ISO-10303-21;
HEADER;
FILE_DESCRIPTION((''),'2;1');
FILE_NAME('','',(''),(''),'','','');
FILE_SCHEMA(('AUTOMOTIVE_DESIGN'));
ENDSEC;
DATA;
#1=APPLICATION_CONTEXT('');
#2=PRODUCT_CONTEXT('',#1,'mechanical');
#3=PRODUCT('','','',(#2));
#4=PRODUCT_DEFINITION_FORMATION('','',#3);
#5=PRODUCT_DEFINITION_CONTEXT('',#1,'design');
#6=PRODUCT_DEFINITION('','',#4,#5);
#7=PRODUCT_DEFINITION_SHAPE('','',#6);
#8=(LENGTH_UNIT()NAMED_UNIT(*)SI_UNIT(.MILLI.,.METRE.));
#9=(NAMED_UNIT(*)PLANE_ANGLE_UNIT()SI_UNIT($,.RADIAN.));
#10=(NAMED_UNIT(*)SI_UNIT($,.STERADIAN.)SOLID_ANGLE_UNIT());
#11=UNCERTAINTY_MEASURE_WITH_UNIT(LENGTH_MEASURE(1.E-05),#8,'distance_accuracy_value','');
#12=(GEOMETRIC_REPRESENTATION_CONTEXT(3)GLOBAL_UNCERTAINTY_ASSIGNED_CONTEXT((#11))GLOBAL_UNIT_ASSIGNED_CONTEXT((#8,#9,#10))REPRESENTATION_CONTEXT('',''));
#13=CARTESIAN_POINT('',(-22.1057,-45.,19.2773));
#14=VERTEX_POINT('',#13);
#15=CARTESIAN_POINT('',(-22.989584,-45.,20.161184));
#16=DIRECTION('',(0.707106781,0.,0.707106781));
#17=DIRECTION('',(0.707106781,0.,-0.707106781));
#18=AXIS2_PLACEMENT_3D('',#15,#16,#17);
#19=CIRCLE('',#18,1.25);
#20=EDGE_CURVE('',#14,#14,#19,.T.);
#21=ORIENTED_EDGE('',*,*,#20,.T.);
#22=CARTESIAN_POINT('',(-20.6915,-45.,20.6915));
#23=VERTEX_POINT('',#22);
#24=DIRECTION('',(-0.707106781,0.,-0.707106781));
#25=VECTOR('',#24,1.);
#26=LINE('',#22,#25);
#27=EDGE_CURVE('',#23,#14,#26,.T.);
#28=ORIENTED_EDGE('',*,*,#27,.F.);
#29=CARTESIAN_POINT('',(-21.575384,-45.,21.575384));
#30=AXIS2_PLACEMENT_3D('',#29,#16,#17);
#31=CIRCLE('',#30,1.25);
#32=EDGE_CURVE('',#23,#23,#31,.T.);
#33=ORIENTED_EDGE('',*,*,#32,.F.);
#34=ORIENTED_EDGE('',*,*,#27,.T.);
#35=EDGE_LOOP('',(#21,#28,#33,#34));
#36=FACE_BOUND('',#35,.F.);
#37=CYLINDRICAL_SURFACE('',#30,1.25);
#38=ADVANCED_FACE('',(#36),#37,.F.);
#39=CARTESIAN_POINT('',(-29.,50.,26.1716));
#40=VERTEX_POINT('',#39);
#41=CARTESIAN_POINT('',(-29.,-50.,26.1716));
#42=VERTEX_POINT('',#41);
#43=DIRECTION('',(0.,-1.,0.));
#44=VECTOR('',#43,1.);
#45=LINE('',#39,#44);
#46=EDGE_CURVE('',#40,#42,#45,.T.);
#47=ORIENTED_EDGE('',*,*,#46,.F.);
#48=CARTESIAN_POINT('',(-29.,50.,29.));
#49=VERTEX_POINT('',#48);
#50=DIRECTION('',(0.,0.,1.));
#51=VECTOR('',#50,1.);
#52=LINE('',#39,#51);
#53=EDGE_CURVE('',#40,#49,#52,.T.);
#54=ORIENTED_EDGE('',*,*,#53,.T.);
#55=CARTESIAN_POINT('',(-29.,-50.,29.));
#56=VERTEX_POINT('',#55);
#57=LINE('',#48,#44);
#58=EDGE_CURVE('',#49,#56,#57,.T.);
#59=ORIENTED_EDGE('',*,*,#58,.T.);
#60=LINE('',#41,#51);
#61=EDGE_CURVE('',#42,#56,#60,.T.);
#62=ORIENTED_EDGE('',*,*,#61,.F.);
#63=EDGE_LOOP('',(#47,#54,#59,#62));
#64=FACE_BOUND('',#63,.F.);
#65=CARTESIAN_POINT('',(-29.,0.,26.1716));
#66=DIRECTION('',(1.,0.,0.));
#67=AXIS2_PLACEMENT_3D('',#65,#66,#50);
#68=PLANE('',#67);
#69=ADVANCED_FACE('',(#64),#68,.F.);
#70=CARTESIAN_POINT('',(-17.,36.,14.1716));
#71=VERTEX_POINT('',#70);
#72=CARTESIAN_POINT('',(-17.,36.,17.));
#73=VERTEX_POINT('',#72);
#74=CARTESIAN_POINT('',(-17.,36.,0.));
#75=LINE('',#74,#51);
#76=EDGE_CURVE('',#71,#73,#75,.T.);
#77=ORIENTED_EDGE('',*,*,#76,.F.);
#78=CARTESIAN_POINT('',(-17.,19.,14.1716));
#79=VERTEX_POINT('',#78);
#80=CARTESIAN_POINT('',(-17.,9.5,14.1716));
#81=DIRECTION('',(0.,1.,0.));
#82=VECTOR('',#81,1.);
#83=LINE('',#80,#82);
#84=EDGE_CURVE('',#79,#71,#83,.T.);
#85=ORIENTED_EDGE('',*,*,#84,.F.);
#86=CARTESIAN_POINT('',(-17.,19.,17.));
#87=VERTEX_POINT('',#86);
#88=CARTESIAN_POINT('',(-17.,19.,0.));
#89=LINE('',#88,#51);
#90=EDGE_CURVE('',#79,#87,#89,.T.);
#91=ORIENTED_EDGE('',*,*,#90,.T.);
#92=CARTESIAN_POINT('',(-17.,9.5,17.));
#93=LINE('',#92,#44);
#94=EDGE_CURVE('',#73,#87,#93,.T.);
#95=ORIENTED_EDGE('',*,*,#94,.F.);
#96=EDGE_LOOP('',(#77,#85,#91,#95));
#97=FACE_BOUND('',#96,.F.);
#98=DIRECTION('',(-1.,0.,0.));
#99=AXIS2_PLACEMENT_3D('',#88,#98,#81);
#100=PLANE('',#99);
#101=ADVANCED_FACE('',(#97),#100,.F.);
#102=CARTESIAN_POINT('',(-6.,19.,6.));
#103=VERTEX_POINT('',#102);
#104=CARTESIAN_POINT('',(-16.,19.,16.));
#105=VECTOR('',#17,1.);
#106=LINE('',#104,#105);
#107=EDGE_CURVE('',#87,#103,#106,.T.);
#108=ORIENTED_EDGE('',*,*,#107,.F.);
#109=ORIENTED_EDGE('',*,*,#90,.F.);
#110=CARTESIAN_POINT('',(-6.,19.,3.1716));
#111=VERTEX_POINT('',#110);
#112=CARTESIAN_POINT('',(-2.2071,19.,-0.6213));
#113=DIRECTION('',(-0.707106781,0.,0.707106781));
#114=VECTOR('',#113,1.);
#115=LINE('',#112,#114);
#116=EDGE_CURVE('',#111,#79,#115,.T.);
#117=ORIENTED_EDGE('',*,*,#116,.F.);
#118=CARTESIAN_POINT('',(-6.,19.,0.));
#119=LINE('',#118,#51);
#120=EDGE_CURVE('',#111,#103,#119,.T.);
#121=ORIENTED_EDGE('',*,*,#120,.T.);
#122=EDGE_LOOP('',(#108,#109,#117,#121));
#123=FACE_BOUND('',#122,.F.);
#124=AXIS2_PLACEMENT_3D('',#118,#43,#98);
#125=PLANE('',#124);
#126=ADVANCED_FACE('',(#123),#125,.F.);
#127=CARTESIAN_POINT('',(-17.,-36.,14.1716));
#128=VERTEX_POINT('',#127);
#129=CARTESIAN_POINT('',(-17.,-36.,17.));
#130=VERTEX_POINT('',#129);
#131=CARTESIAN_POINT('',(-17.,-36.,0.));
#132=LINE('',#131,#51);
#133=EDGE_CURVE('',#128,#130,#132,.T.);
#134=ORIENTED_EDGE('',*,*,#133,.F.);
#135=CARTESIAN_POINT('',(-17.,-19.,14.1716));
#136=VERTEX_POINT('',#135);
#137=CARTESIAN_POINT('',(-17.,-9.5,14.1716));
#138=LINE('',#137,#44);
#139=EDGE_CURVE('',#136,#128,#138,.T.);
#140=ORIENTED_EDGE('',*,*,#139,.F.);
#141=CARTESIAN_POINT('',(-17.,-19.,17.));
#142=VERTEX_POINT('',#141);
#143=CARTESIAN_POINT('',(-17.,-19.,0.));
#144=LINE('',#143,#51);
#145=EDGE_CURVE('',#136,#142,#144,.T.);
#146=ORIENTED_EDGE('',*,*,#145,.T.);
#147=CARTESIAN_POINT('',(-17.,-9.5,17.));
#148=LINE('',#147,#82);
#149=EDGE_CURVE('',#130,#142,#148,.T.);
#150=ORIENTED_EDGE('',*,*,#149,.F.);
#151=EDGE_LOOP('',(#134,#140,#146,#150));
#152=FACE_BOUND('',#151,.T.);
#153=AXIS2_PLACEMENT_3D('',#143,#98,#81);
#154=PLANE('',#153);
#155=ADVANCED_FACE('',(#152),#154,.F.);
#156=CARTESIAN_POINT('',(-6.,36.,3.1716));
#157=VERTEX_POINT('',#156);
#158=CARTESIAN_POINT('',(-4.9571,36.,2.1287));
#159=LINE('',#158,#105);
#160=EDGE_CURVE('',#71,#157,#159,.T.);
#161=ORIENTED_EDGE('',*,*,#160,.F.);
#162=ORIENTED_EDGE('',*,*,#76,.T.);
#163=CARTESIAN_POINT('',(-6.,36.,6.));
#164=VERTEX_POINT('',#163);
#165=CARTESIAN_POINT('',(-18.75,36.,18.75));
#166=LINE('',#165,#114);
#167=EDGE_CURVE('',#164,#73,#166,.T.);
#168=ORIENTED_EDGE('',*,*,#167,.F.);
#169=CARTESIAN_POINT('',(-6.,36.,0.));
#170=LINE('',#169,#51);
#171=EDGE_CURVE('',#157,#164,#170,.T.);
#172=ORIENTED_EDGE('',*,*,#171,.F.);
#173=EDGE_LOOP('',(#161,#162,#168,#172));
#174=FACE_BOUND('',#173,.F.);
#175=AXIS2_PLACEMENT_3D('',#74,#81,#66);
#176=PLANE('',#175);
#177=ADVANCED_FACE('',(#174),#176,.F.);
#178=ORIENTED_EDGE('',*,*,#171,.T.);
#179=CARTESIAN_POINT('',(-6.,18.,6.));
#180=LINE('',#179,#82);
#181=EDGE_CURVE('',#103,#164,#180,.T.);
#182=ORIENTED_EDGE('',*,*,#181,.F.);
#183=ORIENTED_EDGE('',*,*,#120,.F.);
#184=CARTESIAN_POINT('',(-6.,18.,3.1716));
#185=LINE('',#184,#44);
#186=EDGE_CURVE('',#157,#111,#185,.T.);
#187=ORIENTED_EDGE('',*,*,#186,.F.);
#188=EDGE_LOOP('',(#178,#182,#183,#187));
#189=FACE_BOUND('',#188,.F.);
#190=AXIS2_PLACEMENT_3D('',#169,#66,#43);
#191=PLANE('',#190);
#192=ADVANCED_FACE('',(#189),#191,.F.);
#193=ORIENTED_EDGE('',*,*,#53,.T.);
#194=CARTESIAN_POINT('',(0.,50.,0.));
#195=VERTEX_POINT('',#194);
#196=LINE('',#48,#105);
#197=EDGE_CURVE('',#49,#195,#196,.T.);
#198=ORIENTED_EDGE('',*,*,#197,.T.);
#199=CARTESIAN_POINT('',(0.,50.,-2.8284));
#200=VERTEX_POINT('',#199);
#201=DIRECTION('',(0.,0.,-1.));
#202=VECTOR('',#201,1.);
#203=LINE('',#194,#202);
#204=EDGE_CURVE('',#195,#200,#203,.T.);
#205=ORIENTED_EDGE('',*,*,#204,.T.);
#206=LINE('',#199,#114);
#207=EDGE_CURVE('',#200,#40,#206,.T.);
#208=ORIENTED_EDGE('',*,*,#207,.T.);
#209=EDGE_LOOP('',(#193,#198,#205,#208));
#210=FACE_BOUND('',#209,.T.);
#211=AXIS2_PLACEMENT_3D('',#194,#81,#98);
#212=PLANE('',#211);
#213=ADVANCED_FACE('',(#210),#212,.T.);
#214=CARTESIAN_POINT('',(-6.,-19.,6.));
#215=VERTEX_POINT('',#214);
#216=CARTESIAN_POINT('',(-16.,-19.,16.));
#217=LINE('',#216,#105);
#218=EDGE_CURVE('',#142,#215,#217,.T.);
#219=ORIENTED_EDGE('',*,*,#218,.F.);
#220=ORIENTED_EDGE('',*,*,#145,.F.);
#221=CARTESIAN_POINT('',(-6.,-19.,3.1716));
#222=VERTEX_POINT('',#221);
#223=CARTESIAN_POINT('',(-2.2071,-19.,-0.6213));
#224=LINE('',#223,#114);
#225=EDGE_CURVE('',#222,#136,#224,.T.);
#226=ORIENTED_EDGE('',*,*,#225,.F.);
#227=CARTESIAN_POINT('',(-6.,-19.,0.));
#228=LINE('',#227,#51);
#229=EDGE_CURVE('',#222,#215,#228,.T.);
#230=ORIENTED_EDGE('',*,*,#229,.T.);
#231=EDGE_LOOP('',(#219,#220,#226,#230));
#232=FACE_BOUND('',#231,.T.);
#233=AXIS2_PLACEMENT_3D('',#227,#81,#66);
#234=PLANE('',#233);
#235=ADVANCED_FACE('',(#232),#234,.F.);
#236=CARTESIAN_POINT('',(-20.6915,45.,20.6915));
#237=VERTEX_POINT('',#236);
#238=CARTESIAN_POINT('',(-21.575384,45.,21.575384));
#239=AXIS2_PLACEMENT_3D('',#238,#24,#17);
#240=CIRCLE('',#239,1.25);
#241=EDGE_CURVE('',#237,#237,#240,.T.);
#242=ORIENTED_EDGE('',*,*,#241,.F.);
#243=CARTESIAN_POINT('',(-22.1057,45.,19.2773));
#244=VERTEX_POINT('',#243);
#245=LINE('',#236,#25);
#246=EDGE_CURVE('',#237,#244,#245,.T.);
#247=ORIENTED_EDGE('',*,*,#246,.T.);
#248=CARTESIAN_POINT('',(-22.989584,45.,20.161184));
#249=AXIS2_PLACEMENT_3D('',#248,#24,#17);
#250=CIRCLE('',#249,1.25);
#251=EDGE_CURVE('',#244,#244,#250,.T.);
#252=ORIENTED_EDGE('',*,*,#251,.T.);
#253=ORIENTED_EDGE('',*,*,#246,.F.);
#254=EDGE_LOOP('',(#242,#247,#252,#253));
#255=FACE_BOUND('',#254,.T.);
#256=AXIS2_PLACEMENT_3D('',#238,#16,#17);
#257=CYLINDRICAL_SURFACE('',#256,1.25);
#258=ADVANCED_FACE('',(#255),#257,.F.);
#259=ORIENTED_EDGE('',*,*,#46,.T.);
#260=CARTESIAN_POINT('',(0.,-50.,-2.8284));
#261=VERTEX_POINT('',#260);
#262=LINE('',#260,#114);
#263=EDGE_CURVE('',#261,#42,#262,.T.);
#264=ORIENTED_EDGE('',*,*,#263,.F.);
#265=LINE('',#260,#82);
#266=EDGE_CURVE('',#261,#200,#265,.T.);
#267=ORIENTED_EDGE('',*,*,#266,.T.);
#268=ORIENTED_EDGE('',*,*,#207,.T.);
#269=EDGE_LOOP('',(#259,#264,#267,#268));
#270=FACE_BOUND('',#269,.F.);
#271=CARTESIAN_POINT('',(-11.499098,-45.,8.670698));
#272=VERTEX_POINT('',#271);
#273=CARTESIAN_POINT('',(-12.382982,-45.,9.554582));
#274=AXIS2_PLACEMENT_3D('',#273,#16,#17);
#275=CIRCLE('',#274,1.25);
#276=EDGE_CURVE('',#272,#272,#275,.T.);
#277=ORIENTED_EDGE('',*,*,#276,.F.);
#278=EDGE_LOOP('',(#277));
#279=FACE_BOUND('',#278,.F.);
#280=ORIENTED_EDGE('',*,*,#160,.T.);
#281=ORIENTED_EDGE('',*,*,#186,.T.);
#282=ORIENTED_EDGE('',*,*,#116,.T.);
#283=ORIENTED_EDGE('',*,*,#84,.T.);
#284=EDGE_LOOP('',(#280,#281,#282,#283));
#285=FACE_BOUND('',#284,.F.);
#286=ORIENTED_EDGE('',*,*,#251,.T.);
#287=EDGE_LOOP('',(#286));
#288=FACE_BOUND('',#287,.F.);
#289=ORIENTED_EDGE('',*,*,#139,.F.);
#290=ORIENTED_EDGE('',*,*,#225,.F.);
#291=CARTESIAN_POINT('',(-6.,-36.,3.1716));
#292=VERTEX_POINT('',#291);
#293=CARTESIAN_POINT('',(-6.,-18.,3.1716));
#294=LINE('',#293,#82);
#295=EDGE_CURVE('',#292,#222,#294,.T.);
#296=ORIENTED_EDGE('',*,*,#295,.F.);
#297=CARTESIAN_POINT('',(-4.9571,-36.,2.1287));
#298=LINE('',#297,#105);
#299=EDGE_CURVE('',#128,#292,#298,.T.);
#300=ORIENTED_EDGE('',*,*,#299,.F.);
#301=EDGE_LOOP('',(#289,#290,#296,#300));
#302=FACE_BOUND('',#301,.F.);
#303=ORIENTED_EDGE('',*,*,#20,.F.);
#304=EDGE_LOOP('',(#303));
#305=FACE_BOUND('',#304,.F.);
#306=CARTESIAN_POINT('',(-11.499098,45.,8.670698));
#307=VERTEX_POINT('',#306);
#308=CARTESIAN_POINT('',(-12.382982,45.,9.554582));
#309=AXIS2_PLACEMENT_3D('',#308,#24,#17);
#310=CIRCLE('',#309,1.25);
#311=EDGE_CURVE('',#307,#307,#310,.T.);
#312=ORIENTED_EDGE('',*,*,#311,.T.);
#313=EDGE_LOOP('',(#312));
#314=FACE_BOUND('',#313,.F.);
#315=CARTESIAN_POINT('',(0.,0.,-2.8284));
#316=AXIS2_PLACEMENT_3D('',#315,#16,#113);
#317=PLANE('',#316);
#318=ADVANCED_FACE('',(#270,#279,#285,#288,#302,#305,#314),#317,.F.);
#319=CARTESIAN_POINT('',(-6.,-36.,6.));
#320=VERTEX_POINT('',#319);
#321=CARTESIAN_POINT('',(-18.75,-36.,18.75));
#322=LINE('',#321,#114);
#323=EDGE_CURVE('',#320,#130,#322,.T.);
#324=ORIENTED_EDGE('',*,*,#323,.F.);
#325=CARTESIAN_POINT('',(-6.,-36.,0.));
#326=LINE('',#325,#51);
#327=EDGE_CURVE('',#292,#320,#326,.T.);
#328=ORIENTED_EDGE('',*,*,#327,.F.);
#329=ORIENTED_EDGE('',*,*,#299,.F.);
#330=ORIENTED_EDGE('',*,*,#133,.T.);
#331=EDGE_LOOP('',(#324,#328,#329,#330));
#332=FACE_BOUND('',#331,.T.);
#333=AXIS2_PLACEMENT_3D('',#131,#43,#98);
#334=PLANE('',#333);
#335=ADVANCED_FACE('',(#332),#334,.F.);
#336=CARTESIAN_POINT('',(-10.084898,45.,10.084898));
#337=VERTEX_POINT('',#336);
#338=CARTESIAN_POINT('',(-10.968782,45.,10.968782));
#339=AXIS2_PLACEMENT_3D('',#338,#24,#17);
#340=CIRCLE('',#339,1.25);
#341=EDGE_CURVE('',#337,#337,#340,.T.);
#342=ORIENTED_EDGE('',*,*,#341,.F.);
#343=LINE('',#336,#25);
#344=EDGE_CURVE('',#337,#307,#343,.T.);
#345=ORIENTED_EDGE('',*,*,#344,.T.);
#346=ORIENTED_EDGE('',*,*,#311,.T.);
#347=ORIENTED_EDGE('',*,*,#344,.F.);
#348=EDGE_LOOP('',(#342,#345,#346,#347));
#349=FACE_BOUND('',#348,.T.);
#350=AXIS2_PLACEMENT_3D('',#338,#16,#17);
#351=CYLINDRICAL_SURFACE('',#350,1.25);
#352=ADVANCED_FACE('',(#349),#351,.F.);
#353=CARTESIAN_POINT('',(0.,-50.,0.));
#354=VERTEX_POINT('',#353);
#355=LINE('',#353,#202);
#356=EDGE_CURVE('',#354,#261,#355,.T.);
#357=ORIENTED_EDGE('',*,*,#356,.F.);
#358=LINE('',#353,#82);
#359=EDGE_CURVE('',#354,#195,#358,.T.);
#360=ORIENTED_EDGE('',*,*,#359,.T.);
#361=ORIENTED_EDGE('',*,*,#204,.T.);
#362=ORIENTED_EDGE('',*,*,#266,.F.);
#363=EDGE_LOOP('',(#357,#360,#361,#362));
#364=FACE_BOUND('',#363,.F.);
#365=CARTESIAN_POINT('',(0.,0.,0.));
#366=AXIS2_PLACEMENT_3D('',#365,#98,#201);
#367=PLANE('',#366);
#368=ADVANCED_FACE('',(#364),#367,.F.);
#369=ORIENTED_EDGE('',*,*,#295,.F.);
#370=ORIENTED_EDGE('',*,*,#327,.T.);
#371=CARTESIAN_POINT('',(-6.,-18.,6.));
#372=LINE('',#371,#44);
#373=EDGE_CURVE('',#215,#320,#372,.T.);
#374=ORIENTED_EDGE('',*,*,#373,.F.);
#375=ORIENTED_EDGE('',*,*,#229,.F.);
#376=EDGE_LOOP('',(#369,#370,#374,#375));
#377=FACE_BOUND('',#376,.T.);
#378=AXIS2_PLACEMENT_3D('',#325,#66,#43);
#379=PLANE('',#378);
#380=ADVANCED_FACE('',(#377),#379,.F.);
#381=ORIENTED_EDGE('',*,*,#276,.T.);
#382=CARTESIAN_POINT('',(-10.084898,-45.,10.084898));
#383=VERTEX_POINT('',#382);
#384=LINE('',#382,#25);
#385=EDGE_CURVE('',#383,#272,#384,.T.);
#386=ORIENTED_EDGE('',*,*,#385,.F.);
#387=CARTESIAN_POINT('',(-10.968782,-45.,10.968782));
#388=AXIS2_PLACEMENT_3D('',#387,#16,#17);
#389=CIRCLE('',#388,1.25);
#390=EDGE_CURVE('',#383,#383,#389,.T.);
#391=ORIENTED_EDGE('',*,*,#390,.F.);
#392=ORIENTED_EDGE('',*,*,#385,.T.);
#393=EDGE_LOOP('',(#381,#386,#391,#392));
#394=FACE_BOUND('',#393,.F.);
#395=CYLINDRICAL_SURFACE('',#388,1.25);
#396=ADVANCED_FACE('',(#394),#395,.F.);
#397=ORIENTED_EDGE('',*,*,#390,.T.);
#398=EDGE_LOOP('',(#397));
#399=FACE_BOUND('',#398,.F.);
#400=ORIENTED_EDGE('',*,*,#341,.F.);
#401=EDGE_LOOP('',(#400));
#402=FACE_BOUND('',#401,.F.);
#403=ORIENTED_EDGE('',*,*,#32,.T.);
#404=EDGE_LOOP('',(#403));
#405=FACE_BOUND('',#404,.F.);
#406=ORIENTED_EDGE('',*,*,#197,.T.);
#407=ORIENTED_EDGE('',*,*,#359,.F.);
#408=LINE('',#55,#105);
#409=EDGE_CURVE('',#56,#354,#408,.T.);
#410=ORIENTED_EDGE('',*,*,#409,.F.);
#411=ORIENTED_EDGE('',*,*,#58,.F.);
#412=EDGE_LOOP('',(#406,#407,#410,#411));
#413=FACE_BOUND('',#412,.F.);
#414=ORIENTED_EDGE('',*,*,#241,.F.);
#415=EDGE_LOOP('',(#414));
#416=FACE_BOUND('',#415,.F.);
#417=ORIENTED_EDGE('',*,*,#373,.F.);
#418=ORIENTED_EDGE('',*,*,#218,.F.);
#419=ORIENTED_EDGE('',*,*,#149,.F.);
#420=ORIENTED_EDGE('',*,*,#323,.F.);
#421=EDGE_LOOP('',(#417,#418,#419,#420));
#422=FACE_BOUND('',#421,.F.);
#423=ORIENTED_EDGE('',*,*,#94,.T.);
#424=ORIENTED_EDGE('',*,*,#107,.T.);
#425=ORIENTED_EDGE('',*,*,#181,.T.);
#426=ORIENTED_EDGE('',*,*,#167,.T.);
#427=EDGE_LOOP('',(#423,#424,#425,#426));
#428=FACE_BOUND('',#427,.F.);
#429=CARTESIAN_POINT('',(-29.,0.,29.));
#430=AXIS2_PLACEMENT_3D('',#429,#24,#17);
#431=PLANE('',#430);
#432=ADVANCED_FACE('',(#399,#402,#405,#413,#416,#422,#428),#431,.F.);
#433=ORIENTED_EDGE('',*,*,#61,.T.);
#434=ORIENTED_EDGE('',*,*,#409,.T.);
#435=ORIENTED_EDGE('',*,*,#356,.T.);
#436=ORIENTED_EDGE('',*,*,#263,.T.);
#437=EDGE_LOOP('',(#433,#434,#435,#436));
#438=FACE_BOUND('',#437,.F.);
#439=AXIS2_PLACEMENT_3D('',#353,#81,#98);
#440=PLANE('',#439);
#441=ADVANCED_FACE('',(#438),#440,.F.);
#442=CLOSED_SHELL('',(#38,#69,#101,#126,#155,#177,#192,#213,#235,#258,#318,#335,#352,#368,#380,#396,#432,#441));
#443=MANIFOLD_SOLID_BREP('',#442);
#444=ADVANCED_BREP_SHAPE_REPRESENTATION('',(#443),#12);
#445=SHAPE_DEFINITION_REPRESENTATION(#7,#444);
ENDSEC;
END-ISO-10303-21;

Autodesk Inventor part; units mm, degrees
ref_plane "YZ Plane" through (0, 0, 0) normal (1, 0, 0) x (0, 1, 0)
ref_plane "XZ Plane" through (0, 0, 0) normal (0, 1, 0) x (-1, 0, 0)
ref_plane "XY Plane" through (0, 0, 0) normal (0, 0, 1) x (1, 0, 0)
sketch "Sketch1" plane through (0, 0, 0) normal (0, 1, 0) x (-1, 0, 0)
  line L0 (0, 0) -> (0, -2.8284)
  line L1 (0, -2.8284) -> (29, 26.1716)
  line L2 (29, 26.1716) -> (29, 29)
  line L3 (29, 29) -> (0, 0)
  dimension "d2" = 29
  dimension "d3" = 45
  dimension "d6" = 2
extrude "Extrusion1" add sketch "Sketch1" along normal mid plane 100
sketch "Sketch2" plane through (0, 0, 0) normal (0, 0, 1) x (1, 0, 0)
  line L0 (-17, 36) -> (-6, 36)
  line L1 (-6, 36) -> (-6, 19)
  line L2 (-6, 19) -> (-17, 19)
  line L3 (-17, 19) -> (-17, 36)
  line L4 (0, 50) -> (-29, 50) projected
  line L5 (0, -50) -> (0, 50) projected
  point P0 (0, 0)
  dimension "d7" = 14
  dimension "d8" = 17
  dimension "d9" = 11
  dimension "d11" = 6
extrude "Extrusion2" cut sketch "Sketch2" along normal up to next
mirror "Mirror1" about plane through (0, 0, 0) normal (0, 1, 0) of "Extrusion2"
sketch "Sketch3" plane through (0, -50, 0) normal (0.7071, 0, 0.7071) x (0.7071, 0, -0.7071)
  circle A0 centre (-30.5122, 5) radius 1.25
  circle A1 centre (-15.5122, 5) radius 1.25
  line L0 (-39.0122, 0) -> (-39.0122, 100) projected
  line L1 (-41.0122, 0) -> (-41.0122, 100) projected
  line L2 (0, 0) -> (-41.0122, 0) projected
  point P0 (0, 50)
  dimension "d15" = 5
  dimension "d16" = 2.5
  dimension "d17" = 15
  dimension "d18" = 2.5
  dimension "d19" = 5
  dimension "d20" = 10.5
extrude "Extrusion3" cut sketch "Sketch3" against normal up to next
mirror "Mirror2" about plane through (0, 0, 0) normal (0, 1, 0) of "Extrusion3"
properties part number "Front"
